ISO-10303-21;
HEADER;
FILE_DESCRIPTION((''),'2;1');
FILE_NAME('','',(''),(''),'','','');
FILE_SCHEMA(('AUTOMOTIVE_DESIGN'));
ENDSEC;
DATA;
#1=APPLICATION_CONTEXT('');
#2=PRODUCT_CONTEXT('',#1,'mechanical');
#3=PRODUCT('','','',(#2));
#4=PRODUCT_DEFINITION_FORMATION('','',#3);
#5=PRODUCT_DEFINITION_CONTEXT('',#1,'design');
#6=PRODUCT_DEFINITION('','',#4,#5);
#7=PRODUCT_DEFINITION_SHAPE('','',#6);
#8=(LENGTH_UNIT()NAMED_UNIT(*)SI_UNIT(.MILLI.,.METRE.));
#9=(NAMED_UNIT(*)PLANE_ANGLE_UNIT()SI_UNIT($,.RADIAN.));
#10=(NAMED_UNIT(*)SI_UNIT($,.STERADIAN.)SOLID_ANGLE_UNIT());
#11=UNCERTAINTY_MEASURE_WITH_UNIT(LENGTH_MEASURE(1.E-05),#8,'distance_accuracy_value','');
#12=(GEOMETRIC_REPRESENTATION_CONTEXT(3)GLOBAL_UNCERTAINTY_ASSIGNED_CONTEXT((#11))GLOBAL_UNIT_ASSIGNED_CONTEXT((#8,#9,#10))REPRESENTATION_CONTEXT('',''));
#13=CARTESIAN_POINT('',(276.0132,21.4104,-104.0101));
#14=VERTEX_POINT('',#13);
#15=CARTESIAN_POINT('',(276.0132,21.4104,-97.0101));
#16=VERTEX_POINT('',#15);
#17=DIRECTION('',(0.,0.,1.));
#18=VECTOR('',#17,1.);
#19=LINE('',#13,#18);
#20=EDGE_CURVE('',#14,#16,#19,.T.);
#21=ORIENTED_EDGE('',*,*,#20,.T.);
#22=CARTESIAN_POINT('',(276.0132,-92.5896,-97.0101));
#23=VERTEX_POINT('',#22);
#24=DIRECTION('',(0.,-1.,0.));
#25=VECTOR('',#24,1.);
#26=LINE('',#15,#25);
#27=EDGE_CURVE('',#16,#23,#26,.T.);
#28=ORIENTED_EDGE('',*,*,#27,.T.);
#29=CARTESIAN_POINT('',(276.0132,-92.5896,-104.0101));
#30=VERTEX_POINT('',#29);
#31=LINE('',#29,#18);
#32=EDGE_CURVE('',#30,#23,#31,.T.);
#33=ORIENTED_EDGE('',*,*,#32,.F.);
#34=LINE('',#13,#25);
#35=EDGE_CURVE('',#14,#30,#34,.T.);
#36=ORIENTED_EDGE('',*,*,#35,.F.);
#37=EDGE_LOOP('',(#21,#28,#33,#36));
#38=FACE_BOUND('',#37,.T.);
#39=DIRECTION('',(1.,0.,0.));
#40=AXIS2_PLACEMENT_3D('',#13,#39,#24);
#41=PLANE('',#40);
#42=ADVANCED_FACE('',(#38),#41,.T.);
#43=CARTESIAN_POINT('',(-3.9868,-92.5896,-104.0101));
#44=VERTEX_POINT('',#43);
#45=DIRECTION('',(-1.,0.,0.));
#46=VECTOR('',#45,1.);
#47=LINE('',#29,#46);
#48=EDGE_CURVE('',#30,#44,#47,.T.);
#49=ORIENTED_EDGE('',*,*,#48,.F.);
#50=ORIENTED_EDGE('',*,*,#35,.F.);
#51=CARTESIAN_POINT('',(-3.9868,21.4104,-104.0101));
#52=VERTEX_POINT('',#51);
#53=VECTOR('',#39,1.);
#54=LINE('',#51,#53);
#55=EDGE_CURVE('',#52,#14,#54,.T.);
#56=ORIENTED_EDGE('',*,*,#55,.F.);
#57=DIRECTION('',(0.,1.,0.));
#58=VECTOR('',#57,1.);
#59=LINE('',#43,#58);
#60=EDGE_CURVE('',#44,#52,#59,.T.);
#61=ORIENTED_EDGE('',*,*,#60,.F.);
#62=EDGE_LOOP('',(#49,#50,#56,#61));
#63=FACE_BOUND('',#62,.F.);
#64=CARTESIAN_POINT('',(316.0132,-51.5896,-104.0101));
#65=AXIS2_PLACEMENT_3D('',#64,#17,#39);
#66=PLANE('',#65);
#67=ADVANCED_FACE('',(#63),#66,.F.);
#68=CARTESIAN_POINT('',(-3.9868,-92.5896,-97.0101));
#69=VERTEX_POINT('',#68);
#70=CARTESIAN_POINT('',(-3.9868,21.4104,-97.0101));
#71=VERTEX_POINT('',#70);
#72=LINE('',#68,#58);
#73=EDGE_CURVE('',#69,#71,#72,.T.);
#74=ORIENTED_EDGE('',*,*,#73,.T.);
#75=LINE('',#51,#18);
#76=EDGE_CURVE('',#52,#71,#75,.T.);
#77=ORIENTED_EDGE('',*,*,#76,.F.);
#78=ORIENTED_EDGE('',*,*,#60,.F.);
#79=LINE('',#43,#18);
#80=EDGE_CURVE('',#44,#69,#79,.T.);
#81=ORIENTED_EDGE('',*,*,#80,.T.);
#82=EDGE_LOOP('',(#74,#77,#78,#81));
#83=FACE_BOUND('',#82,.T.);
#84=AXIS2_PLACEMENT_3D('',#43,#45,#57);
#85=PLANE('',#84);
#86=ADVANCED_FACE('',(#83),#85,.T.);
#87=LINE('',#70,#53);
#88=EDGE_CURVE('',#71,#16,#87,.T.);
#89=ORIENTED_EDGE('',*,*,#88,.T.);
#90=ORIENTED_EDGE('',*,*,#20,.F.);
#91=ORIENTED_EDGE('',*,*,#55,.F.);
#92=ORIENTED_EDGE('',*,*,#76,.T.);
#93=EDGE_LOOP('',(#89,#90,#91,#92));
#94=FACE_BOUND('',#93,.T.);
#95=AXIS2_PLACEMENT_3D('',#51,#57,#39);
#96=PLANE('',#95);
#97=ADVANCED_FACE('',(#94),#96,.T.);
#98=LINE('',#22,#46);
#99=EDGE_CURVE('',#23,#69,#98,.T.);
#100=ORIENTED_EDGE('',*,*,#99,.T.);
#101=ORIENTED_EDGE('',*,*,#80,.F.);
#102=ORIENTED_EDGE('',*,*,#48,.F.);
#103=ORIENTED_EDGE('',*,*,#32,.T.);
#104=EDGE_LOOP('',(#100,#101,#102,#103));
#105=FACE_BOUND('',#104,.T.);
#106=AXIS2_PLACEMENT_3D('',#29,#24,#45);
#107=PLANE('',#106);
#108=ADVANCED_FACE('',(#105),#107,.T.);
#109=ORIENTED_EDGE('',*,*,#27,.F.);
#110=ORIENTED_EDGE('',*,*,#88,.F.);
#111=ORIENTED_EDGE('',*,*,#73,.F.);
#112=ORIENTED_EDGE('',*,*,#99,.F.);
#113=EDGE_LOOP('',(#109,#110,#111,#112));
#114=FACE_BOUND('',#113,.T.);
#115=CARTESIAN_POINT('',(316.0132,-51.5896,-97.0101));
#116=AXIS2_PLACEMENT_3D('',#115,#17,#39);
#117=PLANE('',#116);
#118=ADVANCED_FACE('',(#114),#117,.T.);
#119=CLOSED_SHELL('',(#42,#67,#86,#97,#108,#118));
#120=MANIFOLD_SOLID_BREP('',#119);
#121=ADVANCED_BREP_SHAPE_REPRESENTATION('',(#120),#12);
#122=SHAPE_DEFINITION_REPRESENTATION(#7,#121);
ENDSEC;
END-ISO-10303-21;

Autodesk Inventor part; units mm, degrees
ref_plane "YZ Plane" through (0, 0, 0) normal (1, 0, 0) x (0, 1, 0)
ref_plane "XZ Plane" through (0, 0, 0) normal (0, 1, 0) x (-1, 0, 0)
ref_plane "XY Plane" through (0, 0, 0) normal (0, 0, 1) x (1, 0, 0)
ref_plane "Plano de trabajo1" through (316.0132, -51.5896, -104.0101) normal (0, 0, 1) x (1, 0, 0)
sketch "Boceto1" plane through (316.0132, -51.5896, -104.0101) normal (0, 0, 1) x (1, 0, 0)
  line L0 (-90, 23) -> (-270, 23) construction
  line L1 (-270, 9) -> (-270, 23) construction
  line L2 (-90, 9) -> (-270, 9) construction
  line L3 (-90, 9) -> (-90, 23) construction
  line L4 (-320, 73) -> (-40, 73)
  line L5 (-40, 73) -> (-40, -41)
  line L6 (-40, -41) -> (-320, -41)
  line L7 (-320, -41) -> (-320, 73)
  point P0 (-316.0132, 51.5896)
  dimension "d0" = 50
extrude "Placa1" add sketch "Boceto1" along normal blind 7
equation "\"d1\" = Grosor"
equation "\"Grosor\" = eb"
equation "\"Radio_pliegue\" = Grosor"
equation "\"Anchura_desahogo_plegado\" = Grosor"
equation "\"Profundidad_desahogo_plegado\" = 0.5 * Grosor"
equation "\"Tamaño_destalonado\" = 4 * Grosor"
equation "\"Remanente_mínimo\" = 2 * Grosor"
equation "\"Radiodetransición\" = Radio_pliegue"
equation "\"Tamaño_de_radio_de_Jacobi\" = Radio_pliegue"
equation "\"TamañoSeparación\" = Grosor"
equation "\"eb\" = 7"
properties part number "LAMINA_PARA_OREJA_DE_IZAJE"
